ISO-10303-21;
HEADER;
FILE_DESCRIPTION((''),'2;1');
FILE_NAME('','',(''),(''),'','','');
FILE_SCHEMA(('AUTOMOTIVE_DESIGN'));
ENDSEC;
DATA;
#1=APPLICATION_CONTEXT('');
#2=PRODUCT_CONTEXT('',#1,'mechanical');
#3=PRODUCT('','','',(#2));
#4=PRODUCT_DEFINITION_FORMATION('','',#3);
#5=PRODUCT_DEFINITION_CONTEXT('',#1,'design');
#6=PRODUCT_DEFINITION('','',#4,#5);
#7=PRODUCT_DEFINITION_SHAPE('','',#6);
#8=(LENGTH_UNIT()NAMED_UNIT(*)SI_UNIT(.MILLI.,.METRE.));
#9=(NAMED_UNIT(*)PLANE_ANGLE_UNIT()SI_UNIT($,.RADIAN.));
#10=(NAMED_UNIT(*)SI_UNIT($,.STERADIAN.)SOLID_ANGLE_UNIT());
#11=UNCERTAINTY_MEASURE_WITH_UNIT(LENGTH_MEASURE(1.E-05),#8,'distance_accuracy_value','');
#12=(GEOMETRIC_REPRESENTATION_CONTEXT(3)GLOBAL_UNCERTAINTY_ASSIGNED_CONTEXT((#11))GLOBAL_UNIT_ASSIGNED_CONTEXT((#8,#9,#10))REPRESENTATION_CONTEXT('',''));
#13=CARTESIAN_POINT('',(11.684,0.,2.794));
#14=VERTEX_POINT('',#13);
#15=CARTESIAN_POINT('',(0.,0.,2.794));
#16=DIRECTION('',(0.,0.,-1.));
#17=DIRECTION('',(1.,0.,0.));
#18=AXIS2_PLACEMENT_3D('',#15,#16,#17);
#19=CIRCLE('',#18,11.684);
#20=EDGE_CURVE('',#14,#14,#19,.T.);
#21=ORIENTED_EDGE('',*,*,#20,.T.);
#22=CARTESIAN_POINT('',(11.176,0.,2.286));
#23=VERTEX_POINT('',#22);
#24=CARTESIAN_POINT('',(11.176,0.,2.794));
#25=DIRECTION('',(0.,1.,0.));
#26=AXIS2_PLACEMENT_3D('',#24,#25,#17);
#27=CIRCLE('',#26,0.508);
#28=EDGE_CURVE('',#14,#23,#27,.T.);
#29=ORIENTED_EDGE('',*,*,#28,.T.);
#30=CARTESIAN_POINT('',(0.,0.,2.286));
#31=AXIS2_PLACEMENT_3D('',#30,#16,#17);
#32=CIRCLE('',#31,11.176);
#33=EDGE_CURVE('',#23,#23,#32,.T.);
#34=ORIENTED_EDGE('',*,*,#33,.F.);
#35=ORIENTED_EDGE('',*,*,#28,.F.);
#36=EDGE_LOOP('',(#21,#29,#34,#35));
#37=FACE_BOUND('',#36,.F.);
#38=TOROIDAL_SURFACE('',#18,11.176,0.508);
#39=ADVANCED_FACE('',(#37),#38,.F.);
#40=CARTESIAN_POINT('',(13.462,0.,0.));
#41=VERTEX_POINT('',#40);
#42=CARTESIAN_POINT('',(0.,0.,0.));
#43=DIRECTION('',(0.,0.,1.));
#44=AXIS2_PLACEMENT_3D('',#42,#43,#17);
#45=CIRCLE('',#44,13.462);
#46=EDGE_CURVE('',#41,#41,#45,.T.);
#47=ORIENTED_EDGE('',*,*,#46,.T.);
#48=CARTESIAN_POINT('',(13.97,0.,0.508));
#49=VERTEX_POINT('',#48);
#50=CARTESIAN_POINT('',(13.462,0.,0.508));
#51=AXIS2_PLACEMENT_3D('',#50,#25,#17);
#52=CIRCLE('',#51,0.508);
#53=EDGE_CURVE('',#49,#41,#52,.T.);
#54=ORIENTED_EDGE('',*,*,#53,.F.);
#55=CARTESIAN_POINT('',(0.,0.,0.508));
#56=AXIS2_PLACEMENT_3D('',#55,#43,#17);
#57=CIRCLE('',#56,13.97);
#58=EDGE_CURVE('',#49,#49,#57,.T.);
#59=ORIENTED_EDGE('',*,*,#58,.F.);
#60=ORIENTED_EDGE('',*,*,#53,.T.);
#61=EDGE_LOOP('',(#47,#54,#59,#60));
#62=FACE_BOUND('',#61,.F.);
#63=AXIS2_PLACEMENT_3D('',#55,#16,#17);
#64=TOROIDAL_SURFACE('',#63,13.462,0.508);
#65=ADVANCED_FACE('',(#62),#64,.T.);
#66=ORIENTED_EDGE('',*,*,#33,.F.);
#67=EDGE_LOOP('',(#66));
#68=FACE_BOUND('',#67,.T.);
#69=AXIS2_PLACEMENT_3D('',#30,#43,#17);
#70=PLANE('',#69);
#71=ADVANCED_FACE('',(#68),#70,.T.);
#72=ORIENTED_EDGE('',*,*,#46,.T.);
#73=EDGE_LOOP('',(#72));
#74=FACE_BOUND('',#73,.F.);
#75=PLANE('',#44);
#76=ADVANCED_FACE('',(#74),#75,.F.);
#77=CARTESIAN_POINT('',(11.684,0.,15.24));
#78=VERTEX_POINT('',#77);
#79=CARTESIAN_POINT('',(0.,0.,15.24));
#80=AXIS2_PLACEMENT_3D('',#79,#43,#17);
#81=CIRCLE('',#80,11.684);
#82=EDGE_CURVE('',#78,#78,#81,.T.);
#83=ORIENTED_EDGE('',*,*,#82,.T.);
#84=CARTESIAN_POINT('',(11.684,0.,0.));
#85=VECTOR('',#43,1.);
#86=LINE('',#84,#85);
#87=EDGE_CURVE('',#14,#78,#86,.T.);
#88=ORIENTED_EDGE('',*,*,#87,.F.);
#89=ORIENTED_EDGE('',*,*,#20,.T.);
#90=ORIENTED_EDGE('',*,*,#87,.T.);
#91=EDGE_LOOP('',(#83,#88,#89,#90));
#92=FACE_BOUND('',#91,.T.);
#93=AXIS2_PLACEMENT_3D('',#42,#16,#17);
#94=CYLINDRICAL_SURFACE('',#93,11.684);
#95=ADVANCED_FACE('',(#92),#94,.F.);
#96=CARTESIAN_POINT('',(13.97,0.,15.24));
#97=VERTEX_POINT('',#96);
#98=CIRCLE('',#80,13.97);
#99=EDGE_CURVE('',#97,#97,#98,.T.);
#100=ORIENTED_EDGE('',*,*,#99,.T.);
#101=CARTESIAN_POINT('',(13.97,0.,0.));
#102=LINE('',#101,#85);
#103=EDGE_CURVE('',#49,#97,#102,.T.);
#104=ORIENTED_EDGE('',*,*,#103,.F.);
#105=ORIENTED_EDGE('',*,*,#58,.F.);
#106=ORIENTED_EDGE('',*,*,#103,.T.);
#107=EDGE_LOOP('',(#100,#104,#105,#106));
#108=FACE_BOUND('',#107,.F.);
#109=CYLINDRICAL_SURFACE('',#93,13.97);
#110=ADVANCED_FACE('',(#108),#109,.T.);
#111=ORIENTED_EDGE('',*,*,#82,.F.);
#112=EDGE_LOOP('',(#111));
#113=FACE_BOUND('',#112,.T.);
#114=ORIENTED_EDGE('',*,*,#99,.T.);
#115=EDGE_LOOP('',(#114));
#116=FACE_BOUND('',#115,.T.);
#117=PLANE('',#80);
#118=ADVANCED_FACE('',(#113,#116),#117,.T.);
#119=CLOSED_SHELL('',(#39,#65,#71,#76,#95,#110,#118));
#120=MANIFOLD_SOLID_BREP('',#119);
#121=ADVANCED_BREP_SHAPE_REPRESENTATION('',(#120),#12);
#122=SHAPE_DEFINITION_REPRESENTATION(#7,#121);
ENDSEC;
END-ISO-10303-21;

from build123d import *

# Parameters (mm, degrees)
F0_R     = 13.97
F1_DEPTH = 15.24
F2_T     = -2.286
F3_R     = 0.508
F4_R     = 0.508


with BuildPart() as f1:
    # F0 (on Top) → F1 (new body)
    with BuildSketch(Plane.XY):
        Circle(F0_R)
    extrude(amount=F1_DEPTH)

    # F2
    f2_openings = [f1.faces().sort_by_distance(p)[0] for p in [
        (0, 0, 15.24),
    ]]
    offset(amount=F2_T, openings=f2_openings)

    # F3
    f3_edges = [f1.edges().sort_by_distance(p)[0] for p in [
        (-11.684, 0, 2.286),
    ]]
    fillet(f3_edges, radius=F3_R)

    # F4
    f4_edges = [f1.edges().sort_by_distance(p)[0] for p in [
        (-13.97, 0, 0),
    ]]
    fillet(f4_edges, radius=F4_R)


solid = f1.part
